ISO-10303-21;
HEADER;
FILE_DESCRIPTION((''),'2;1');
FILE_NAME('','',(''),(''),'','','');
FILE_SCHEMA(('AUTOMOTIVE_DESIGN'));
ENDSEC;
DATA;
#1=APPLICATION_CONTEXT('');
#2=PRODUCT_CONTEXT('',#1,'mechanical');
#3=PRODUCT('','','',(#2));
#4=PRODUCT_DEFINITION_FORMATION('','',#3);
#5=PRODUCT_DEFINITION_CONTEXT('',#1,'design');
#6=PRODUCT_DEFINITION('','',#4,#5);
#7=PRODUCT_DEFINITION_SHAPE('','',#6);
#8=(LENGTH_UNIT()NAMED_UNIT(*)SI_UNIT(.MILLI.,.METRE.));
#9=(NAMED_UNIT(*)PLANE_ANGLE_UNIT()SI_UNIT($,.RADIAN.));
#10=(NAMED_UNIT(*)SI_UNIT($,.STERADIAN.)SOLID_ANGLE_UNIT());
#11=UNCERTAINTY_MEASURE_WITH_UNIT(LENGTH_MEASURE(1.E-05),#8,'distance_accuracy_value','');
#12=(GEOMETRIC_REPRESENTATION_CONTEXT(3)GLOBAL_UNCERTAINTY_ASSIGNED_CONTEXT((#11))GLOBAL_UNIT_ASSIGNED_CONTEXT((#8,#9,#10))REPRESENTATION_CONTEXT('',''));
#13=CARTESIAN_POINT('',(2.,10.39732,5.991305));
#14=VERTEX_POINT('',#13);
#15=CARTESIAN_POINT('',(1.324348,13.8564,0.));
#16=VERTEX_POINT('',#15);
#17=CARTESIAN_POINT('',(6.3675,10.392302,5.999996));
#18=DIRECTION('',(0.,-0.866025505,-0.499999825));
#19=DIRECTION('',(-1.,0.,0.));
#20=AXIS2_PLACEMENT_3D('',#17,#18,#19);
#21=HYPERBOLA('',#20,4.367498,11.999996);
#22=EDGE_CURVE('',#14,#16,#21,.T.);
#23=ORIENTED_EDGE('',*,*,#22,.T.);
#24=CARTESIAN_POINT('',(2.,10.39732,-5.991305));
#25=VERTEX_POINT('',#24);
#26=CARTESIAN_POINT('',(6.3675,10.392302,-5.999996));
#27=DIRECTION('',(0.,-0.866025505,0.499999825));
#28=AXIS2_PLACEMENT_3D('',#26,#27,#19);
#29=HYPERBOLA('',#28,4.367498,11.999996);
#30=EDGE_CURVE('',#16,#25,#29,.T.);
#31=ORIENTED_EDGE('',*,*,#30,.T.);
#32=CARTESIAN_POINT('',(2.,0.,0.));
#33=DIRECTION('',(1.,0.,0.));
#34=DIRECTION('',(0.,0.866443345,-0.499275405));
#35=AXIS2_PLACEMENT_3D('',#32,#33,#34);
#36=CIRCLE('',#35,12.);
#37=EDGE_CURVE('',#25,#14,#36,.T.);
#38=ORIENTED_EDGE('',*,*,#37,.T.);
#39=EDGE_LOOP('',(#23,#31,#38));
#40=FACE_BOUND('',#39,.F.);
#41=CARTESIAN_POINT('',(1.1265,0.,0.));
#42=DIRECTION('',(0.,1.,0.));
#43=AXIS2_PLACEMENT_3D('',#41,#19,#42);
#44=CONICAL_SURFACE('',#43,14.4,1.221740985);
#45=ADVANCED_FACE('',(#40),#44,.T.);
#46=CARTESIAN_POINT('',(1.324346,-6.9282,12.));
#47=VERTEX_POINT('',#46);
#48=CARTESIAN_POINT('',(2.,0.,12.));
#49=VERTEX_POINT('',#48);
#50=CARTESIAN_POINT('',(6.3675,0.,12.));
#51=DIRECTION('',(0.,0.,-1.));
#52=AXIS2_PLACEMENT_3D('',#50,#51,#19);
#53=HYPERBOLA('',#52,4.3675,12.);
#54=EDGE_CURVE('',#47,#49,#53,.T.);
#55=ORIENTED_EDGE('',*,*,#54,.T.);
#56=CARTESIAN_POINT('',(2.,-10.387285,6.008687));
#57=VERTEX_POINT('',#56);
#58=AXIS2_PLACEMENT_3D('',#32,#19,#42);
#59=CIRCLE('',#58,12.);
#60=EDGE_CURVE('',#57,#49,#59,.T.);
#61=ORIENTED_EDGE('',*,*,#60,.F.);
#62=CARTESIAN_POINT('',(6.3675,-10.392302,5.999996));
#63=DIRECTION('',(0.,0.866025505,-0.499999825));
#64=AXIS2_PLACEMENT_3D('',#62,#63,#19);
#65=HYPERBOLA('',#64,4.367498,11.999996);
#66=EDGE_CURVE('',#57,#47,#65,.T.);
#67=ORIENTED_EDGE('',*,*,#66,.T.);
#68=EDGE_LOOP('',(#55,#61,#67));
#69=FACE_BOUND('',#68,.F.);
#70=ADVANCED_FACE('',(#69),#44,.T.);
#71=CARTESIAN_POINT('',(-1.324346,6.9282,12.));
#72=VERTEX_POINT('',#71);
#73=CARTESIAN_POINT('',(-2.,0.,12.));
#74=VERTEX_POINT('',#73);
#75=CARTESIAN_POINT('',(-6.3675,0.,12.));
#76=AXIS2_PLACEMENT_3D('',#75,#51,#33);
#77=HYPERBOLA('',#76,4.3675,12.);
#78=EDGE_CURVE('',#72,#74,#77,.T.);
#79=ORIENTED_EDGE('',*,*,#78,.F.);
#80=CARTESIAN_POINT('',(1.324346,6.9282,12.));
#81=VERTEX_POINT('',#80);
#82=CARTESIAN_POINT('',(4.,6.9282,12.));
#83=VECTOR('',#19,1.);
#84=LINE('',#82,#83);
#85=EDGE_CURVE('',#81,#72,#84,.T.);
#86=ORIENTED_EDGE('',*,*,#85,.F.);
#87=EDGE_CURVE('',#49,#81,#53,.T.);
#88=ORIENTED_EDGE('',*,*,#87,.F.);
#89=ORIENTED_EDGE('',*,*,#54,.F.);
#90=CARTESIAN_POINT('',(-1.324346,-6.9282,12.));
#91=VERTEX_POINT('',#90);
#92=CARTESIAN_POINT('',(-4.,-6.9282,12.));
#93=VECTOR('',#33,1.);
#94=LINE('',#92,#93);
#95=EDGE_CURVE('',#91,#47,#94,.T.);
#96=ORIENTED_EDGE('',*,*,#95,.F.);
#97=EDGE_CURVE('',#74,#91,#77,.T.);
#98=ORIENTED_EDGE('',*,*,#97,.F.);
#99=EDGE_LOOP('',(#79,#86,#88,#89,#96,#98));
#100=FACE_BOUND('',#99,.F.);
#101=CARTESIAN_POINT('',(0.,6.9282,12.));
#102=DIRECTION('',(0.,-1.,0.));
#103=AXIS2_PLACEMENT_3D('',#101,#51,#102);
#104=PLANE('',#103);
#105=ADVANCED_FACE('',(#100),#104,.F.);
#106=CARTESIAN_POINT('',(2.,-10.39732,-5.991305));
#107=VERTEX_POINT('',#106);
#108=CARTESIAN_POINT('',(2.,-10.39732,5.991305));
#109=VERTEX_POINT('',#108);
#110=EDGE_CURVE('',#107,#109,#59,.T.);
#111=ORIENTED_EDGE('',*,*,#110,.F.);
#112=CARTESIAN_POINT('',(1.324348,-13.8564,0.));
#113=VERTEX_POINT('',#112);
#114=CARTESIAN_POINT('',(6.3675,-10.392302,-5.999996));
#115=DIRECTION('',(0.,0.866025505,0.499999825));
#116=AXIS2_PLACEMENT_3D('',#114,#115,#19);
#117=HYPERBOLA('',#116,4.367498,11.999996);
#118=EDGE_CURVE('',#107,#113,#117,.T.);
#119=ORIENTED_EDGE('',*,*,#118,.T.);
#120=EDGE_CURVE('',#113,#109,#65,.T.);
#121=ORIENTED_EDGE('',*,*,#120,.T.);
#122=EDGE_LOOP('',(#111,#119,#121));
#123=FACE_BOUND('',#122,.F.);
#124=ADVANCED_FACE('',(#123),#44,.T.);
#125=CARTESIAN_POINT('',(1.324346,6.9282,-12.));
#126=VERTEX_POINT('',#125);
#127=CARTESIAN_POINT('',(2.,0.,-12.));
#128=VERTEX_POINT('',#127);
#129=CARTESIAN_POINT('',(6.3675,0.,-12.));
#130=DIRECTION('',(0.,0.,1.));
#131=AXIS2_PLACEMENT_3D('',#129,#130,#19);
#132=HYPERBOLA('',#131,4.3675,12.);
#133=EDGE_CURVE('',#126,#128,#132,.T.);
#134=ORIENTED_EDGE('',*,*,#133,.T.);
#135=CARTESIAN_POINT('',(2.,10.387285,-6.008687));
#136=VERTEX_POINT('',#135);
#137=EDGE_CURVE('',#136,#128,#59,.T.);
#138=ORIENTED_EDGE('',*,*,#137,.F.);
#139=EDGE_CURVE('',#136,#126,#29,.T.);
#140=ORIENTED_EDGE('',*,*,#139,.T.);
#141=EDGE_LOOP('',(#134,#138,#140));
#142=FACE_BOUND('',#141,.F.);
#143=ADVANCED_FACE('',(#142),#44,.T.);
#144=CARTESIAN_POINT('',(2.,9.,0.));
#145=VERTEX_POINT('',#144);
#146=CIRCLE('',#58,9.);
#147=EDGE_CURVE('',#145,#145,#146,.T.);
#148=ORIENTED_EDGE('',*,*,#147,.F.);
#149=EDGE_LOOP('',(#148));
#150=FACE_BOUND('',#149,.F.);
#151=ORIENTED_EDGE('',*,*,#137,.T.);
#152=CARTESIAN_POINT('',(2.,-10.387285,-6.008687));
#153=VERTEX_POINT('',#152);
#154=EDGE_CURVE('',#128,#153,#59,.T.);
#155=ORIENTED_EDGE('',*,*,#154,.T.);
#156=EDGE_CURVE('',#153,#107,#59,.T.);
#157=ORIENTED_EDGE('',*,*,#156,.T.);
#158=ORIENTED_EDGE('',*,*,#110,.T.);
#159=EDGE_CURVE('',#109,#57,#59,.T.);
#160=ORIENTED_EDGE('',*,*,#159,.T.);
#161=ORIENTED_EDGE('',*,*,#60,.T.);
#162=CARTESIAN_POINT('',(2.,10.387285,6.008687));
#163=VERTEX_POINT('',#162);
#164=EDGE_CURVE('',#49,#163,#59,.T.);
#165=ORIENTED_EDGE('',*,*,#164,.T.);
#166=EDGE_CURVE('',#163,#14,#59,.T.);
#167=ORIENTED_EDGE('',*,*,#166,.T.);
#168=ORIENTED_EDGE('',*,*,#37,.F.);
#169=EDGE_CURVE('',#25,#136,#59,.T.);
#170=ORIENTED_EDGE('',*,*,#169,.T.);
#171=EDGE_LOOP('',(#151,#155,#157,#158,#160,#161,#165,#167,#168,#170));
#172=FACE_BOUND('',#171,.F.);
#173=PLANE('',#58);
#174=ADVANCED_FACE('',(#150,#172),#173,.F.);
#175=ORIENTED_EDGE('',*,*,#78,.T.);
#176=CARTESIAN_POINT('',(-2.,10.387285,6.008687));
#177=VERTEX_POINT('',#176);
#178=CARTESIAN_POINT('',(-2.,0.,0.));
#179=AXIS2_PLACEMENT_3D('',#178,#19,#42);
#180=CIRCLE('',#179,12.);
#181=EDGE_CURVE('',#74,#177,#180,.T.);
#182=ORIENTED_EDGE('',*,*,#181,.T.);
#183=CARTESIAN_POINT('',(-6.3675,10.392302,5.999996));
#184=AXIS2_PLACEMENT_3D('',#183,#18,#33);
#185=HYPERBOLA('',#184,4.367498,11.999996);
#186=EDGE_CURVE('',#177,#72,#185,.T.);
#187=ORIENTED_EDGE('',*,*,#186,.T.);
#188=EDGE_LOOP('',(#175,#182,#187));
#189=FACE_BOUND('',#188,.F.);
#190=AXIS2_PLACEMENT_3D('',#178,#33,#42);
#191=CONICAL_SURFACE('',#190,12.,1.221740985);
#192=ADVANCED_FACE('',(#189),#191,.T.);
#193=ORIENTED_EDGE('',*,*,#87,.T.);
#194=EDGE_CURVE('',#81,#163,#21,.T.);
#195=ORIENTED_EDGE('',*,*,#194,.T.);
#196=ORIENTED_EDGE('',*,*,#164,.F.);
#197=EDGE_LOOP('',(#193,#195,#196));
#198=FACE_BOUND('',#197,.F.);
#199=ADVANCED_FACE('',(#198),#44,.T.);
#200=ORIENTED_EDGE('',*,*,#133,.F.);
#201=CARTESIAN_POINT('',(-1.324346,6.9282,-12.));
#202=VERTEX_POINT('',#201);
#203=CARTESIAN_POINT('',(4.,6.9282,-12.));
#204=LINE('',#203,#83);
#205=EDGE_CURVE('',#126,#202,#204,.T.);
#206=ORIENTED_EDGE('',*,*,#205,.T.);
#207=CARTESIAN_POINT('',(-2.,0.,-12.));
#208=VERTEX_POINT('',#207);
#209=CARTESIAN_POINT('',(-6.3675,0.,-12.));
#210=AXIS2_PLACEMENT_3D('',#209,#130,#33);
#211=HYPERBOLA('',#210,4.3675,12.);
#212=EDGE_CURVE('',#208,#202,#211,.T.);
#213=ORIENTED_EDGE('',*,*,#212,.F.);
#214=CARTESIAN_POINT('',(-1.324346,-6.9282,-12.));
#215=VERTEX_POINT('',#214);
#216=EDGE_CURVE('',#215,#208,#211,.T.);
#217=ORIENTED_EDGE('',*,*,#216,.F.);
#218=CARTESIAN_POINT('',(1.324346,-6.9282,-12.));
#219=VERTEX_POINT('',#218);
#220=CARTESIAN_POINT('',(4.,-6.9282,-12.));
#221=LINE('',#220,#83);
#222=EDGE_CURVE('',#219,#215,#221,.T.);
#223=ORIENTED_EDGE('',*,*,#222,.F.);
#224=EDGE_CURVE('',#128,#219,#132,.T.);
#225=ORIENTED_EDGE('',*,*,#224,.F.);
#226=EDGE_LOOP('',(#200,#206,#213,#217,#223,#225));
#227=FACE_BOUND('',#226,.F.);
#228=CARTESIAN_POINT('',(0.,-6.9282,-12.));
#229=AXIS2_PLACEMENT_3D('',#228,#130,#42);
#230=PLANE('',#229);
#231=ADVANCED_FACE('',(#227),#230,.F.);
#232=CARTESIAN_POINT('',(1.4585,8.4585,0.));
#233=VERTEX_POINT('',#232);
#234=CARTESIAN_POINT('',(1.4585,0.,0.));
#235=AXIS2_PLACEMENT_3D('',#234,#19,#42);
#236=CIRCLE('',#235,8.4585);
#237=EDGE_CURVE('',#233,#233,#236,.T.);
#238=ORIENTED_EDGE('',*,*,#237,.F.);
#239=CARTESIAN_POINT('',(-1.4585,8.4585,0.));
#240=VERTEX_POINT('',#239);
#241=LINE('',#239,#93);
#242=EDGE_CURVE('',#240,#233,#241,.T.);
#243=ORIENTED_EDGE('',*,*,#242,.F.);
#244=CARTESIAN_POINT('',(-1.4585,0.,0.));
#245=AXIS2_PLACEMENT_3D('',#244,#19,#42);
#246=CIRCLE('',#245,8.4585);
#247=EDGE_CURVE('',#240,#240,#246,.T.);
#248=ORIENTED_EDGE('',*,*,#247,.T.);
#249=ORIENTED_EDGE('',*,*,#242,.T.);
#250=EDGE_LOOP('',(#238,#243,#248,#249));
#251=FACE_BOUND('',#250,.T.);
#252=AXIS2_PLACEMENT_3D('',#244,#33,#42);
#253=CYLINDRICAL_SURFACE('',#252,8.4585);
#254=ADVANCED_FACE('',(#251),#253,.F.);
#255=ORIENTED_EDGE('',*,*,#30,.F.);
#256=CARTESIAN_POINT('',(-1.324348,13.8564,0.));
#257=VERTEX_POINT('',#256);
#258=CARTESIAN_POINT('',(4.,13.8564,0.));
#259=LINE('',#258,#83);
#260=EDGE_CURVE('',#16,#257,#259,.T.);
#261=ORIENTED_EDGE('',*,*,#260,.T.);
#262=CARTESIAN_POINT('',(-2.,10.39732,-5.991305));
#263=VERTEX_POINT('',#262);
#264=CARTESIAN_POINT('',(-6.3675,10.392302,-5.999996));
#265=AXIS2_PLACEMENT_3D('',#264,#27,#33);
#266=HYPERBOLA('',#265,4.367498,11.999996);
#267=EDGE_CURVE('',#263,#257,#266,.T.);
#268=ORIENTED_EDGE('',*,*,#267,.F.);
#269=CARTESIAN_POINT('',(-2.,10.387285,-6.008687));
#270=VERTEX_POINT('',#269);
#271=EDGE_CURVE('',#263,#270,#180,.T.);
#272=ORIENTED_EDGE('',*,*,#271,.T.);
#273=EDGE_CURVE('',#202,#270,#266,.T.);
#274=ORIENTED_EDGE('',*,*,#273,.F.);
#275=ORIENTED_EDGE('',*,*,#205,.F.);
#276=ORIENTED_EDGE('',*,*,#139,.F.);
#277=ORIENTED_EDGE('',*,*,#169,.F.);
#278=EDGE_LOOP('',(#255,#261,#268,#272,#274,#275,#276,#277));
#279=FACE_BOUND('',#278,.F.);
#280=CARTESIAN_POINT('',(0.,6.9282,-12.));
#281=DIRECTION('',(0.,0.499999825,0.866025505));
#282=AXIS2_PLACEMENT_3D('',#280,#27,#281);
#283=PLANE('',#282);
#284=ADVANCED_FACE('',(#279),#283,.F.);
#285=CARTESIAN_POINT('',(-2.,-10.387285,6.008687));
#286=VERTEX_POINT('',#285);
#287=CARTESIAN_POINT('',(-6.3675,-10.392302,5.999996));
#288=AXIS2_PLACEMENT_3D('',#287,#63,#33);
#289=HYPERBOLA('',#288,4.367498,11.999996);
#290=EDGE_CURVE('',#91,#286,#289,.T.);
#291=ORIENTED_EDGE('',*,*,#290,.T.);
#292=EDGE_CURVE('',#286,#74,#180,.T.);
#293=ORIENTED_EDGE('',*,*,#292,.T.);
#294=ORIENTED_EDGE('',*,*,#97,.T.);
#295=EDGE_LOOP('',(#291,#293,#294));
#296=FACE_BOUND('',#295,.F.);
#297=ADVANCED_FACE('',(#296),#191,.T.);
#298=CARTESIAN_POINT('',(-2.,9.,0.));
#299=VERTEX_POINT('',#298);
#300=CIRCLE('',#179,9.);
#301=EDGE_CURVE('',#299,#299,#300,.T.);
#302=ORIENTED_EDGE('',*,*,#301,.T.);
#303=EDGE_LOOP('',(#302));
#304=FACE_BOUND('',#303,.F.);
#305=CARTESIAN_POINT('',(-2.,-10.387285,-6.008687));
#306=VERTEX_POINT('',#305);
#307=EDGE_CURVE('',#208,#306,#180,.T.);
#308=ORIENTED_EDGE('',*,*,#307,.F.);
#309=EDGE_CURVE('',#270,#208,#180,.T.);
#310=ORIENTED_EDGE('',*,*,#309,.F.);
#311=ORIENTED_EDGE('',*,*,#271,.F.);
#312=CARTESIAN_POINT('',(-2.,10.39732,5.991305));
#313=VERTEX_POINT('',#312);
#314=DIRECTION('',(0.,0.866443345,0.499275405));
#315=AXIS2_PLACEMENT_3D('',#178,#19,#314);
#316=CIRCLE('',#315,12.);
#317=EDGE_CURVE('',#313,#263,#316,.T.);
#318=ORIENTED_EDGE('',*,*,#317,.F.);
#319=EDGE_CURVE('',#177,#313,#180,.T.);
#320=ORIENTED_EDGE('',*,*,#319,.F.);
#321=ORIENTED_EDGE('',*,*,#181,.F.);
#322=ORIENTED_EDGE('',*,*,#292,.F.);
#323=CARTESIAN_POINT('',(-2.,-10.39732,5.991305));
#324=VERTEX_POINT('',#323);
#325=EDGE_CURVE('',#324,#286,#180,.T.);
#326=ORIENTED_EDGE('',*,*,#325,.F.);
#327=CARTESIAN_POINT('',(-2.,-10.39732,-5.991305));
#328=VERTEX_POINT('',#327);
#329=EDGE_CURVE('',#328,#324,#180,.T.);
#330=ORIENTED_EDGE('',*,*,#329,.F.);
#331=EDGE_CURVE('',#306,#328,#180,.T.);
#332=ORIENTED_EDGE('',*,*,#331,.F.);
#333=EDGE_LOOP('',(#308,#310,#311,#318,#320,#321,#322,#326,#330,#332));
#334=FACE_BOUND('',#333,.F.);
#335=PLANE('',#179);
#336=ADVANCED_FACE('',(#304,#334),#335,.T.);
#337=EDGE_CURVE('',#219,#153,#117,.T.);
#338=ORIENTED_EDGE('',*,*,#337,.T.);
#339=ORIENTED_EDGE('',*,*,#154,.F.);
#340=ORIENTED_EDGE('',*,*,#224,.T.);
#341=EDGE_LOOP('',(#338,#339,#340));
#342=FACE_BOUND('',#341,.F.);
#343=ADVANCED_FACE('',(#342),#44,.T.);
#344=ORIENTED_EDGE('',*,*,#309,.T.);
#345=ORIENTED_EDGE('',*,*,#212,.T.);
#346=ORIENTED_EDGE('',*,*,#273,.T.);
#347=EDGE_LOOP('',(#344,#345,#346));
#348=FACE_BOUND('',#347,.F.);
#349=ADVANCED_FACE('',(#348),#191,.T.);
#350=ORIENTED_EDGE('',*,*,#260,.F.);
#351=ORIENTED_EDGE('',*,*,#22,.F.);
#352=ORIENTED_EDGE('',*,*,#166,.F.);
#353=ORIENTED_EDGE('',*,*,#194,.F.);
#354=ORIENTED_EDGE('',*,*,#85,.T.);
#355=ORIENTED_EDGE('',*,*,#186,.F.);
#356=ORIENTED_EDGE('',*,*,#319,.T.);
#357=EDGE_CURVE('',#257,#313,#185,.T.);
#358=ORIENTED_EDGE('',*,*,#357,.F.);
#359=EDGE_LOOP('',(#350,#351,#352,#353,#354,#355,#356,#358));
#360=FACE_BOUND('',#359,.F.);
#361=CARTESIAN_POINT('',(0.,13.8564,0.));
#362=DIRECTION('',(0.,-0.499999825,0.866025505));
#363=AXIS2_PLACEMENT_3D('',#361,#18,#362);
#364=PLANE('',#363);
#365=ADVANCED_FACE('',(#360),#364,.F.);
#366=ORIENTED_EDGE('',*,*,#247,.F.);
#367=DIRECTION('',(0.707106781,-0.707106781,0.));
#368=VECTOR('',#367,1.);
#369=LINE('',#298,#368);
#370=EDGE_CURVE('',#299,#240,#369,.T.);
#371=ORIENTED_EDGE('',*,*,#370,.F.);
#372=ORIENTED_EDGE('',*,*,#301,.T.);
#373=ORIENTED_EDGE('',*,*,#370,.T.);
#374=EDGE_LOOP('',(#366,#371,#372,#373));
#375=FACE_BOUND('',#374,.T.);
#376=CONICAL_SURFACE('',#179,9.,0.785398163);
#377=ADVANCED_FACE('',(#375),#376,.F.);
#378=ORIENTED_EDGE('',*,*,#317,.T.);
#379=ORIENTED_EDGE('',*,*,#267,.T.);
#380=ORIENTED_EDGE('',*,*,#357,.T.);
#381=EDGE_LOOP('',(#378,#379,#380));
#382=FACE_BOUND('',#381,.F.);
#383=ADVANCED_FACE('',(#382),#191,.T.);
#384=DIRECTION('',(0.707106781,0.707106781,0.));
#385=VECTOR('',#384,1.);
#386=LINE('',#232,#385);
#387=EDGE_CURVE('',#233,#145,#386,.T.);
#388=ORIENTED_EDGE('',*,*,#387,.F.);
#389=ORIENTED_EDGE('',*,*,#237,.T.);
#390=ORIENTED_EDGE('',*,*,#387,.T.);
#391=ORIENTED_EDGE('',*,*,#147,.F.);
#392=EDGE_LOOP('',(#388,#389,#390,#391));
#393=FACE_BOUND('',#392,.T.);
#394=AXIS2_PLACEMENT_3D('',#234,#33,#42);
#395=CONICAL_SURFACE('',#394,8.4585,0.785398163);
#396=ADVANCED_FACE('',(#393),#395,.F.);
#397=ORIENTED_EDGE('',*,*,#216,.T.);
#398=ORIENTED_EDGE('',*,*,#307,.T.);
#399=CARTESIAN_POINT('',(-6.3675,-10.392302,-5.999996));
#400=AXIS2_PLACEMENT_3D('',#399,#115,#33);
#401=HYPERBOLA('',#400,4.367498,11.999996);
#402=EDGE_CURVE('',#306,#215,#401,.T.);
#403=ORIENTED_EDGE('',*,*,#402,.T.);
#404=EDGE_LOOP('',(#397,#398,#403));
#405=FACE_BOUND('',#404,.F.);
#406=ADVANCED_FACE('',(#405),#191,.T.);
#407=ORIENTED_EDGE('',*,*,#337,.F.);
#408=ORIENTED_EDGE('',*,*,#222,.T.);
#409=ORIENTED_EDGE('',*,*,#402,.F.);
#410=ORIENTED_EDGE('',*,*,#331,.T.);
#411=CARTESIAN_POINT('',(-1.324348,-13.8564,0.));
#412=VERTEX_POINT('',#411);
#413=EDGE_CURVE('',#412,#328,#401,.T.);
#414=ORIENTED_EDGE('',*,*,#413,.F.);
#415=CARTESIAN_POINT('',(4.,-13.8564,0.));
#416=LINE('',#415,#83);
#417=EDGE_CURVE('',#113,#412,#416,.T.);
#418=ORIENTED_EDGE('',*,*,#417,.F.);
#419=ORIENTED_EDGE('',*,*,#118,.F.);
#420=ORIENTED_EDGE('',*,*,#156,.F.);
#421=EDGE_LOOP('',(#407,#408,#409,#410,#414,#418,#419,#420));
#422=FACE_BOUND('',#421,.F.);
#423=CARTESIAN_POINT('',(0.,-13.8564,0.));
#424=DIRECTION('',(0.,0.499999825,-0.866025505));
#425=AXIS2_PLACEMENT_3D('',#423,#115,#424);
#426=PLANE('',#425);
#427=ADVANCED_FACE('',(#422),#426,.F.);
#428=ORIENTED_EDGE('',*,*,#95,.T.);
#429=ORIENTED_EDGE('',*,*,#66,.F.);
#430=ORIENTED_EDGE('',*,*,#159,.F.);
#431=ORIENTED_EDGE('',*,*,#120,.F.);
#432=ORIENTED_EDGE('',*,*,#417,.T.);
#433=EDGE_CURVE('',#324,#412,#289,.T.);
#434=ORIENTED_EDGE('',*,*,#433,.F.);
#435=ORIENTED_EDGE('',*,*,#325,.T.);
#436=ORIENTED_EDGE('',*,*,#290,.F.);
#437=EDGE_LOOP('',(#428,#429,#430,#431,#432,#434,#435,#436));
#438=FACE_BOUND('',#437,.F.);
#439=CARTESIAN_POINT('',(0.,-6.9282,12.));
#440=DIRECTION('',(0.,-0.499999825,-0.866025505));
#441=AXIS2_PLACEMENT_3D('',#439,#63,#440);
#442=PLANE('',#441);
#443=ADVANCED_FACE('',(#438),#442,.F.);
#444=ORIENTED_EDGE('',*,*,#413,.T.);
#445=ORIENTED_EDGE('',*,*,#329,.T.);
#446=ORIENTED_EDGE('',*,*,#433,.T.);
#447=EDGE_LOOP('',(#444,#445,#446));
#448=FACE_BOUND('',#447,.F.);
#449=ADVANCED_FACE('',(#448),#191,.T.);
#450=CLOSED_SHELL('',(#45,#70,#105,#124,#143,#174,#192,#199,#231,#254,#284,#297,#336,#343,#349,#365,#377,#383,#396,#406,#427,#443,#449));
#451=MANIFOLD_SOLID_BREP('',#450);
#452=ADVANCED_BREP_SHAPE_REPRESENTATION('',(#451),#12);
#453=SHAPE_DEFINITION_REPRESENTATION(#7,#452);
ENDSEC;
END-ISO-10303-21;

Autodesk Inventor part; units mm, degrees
sketch "Skizze_1" plane through (0, 0, 0) normal (0, 0, 1) x (1, 0, 0)
  line L0 (2, 0) -> (-2, 0)
  line L1 (-2, 0) -> (-2, 12)
  line L2 (-2, 12) -> (-1.1265, 14.4)
  line L3 (-1.1265, 14.4) -> (1.1265, 14.4)
  line L4 (1.1265, 14.4) -> (2, 12)
  line L5 (2, 12) -> (2, 0)
  line L6 (2, 0) -> (-2, 0)
revolve "Revolution1" add sketch "Skizze_1" angle 360 about axis through (2, 0, 0) along (-1, 0, 0)
sketch "Skizze_2" plane through (0, 0, 0) normal (1, 0, 0) x (0, 1, 0)
  line L0 (24, 24) -> (-24, 24)
  line L1 (-24, 24) -> (-24, -24)
  line L2 (-24, -24) -> (24, -24)
  line L3 (24, -24) -> (24, 24)
  line L4 (-6.9282, 12) -> (-13.8564, 0)
  line L5 (-13.8564, 0) -> (-6.9282, -12)
  line L6 (-6.9282, -12) -> (6.9282, -12)
  line L7 (6.9282, -12) -> (13.8564, 0)
  line L8 (13.8564, 0) -> (6.9282, 12)
  line L9 (6.9282, 12) -> (-6.9282, 12)
extrude "Extrusion1" cut sketch "Skizze_2" along normal mid plane 8
sketch "Skizze_3" plane through (0, 0, 0) normal (0, 0, 1) x (1, 0, 0)
  line L0 (2, 0) -> (-2, 0)
  line L1 (-2, 0) -> (-2, 9)
  line L2 (-2, 9) -> (-1.4585, 8.4585)
  line L3 (-1.4585, 8.4585) -> (1.4585, 8.4585)
  line L4 (1.4585, 8.4585) -> (2, 9)
  line L5 (2, 9) -> (2, 0)
  line L6 (2, 0) -> (-2, 0)
revolve "Revolution2" cut sketch "Skizze_3" angle 360 about axis through (2, 0, 0) along (-1, 0, 0)
thread "Thread1" size "M18x1" class "6H" standard "ISO Metric profile" full length
ref_plane "m18_XY" through (0, 0, 0) normal (1, 0, 0) x (0, 0, -1)
ref_plane "m18_YZ" through (0, 0, 0) normal (0, 0, -1) x (0, 1, 0)
ref_plane "m18_ZX" through (0, 0, 0) normal (0, 1, 0) x (1, 0, 0)
properties part number "Nut M18 x 1"
